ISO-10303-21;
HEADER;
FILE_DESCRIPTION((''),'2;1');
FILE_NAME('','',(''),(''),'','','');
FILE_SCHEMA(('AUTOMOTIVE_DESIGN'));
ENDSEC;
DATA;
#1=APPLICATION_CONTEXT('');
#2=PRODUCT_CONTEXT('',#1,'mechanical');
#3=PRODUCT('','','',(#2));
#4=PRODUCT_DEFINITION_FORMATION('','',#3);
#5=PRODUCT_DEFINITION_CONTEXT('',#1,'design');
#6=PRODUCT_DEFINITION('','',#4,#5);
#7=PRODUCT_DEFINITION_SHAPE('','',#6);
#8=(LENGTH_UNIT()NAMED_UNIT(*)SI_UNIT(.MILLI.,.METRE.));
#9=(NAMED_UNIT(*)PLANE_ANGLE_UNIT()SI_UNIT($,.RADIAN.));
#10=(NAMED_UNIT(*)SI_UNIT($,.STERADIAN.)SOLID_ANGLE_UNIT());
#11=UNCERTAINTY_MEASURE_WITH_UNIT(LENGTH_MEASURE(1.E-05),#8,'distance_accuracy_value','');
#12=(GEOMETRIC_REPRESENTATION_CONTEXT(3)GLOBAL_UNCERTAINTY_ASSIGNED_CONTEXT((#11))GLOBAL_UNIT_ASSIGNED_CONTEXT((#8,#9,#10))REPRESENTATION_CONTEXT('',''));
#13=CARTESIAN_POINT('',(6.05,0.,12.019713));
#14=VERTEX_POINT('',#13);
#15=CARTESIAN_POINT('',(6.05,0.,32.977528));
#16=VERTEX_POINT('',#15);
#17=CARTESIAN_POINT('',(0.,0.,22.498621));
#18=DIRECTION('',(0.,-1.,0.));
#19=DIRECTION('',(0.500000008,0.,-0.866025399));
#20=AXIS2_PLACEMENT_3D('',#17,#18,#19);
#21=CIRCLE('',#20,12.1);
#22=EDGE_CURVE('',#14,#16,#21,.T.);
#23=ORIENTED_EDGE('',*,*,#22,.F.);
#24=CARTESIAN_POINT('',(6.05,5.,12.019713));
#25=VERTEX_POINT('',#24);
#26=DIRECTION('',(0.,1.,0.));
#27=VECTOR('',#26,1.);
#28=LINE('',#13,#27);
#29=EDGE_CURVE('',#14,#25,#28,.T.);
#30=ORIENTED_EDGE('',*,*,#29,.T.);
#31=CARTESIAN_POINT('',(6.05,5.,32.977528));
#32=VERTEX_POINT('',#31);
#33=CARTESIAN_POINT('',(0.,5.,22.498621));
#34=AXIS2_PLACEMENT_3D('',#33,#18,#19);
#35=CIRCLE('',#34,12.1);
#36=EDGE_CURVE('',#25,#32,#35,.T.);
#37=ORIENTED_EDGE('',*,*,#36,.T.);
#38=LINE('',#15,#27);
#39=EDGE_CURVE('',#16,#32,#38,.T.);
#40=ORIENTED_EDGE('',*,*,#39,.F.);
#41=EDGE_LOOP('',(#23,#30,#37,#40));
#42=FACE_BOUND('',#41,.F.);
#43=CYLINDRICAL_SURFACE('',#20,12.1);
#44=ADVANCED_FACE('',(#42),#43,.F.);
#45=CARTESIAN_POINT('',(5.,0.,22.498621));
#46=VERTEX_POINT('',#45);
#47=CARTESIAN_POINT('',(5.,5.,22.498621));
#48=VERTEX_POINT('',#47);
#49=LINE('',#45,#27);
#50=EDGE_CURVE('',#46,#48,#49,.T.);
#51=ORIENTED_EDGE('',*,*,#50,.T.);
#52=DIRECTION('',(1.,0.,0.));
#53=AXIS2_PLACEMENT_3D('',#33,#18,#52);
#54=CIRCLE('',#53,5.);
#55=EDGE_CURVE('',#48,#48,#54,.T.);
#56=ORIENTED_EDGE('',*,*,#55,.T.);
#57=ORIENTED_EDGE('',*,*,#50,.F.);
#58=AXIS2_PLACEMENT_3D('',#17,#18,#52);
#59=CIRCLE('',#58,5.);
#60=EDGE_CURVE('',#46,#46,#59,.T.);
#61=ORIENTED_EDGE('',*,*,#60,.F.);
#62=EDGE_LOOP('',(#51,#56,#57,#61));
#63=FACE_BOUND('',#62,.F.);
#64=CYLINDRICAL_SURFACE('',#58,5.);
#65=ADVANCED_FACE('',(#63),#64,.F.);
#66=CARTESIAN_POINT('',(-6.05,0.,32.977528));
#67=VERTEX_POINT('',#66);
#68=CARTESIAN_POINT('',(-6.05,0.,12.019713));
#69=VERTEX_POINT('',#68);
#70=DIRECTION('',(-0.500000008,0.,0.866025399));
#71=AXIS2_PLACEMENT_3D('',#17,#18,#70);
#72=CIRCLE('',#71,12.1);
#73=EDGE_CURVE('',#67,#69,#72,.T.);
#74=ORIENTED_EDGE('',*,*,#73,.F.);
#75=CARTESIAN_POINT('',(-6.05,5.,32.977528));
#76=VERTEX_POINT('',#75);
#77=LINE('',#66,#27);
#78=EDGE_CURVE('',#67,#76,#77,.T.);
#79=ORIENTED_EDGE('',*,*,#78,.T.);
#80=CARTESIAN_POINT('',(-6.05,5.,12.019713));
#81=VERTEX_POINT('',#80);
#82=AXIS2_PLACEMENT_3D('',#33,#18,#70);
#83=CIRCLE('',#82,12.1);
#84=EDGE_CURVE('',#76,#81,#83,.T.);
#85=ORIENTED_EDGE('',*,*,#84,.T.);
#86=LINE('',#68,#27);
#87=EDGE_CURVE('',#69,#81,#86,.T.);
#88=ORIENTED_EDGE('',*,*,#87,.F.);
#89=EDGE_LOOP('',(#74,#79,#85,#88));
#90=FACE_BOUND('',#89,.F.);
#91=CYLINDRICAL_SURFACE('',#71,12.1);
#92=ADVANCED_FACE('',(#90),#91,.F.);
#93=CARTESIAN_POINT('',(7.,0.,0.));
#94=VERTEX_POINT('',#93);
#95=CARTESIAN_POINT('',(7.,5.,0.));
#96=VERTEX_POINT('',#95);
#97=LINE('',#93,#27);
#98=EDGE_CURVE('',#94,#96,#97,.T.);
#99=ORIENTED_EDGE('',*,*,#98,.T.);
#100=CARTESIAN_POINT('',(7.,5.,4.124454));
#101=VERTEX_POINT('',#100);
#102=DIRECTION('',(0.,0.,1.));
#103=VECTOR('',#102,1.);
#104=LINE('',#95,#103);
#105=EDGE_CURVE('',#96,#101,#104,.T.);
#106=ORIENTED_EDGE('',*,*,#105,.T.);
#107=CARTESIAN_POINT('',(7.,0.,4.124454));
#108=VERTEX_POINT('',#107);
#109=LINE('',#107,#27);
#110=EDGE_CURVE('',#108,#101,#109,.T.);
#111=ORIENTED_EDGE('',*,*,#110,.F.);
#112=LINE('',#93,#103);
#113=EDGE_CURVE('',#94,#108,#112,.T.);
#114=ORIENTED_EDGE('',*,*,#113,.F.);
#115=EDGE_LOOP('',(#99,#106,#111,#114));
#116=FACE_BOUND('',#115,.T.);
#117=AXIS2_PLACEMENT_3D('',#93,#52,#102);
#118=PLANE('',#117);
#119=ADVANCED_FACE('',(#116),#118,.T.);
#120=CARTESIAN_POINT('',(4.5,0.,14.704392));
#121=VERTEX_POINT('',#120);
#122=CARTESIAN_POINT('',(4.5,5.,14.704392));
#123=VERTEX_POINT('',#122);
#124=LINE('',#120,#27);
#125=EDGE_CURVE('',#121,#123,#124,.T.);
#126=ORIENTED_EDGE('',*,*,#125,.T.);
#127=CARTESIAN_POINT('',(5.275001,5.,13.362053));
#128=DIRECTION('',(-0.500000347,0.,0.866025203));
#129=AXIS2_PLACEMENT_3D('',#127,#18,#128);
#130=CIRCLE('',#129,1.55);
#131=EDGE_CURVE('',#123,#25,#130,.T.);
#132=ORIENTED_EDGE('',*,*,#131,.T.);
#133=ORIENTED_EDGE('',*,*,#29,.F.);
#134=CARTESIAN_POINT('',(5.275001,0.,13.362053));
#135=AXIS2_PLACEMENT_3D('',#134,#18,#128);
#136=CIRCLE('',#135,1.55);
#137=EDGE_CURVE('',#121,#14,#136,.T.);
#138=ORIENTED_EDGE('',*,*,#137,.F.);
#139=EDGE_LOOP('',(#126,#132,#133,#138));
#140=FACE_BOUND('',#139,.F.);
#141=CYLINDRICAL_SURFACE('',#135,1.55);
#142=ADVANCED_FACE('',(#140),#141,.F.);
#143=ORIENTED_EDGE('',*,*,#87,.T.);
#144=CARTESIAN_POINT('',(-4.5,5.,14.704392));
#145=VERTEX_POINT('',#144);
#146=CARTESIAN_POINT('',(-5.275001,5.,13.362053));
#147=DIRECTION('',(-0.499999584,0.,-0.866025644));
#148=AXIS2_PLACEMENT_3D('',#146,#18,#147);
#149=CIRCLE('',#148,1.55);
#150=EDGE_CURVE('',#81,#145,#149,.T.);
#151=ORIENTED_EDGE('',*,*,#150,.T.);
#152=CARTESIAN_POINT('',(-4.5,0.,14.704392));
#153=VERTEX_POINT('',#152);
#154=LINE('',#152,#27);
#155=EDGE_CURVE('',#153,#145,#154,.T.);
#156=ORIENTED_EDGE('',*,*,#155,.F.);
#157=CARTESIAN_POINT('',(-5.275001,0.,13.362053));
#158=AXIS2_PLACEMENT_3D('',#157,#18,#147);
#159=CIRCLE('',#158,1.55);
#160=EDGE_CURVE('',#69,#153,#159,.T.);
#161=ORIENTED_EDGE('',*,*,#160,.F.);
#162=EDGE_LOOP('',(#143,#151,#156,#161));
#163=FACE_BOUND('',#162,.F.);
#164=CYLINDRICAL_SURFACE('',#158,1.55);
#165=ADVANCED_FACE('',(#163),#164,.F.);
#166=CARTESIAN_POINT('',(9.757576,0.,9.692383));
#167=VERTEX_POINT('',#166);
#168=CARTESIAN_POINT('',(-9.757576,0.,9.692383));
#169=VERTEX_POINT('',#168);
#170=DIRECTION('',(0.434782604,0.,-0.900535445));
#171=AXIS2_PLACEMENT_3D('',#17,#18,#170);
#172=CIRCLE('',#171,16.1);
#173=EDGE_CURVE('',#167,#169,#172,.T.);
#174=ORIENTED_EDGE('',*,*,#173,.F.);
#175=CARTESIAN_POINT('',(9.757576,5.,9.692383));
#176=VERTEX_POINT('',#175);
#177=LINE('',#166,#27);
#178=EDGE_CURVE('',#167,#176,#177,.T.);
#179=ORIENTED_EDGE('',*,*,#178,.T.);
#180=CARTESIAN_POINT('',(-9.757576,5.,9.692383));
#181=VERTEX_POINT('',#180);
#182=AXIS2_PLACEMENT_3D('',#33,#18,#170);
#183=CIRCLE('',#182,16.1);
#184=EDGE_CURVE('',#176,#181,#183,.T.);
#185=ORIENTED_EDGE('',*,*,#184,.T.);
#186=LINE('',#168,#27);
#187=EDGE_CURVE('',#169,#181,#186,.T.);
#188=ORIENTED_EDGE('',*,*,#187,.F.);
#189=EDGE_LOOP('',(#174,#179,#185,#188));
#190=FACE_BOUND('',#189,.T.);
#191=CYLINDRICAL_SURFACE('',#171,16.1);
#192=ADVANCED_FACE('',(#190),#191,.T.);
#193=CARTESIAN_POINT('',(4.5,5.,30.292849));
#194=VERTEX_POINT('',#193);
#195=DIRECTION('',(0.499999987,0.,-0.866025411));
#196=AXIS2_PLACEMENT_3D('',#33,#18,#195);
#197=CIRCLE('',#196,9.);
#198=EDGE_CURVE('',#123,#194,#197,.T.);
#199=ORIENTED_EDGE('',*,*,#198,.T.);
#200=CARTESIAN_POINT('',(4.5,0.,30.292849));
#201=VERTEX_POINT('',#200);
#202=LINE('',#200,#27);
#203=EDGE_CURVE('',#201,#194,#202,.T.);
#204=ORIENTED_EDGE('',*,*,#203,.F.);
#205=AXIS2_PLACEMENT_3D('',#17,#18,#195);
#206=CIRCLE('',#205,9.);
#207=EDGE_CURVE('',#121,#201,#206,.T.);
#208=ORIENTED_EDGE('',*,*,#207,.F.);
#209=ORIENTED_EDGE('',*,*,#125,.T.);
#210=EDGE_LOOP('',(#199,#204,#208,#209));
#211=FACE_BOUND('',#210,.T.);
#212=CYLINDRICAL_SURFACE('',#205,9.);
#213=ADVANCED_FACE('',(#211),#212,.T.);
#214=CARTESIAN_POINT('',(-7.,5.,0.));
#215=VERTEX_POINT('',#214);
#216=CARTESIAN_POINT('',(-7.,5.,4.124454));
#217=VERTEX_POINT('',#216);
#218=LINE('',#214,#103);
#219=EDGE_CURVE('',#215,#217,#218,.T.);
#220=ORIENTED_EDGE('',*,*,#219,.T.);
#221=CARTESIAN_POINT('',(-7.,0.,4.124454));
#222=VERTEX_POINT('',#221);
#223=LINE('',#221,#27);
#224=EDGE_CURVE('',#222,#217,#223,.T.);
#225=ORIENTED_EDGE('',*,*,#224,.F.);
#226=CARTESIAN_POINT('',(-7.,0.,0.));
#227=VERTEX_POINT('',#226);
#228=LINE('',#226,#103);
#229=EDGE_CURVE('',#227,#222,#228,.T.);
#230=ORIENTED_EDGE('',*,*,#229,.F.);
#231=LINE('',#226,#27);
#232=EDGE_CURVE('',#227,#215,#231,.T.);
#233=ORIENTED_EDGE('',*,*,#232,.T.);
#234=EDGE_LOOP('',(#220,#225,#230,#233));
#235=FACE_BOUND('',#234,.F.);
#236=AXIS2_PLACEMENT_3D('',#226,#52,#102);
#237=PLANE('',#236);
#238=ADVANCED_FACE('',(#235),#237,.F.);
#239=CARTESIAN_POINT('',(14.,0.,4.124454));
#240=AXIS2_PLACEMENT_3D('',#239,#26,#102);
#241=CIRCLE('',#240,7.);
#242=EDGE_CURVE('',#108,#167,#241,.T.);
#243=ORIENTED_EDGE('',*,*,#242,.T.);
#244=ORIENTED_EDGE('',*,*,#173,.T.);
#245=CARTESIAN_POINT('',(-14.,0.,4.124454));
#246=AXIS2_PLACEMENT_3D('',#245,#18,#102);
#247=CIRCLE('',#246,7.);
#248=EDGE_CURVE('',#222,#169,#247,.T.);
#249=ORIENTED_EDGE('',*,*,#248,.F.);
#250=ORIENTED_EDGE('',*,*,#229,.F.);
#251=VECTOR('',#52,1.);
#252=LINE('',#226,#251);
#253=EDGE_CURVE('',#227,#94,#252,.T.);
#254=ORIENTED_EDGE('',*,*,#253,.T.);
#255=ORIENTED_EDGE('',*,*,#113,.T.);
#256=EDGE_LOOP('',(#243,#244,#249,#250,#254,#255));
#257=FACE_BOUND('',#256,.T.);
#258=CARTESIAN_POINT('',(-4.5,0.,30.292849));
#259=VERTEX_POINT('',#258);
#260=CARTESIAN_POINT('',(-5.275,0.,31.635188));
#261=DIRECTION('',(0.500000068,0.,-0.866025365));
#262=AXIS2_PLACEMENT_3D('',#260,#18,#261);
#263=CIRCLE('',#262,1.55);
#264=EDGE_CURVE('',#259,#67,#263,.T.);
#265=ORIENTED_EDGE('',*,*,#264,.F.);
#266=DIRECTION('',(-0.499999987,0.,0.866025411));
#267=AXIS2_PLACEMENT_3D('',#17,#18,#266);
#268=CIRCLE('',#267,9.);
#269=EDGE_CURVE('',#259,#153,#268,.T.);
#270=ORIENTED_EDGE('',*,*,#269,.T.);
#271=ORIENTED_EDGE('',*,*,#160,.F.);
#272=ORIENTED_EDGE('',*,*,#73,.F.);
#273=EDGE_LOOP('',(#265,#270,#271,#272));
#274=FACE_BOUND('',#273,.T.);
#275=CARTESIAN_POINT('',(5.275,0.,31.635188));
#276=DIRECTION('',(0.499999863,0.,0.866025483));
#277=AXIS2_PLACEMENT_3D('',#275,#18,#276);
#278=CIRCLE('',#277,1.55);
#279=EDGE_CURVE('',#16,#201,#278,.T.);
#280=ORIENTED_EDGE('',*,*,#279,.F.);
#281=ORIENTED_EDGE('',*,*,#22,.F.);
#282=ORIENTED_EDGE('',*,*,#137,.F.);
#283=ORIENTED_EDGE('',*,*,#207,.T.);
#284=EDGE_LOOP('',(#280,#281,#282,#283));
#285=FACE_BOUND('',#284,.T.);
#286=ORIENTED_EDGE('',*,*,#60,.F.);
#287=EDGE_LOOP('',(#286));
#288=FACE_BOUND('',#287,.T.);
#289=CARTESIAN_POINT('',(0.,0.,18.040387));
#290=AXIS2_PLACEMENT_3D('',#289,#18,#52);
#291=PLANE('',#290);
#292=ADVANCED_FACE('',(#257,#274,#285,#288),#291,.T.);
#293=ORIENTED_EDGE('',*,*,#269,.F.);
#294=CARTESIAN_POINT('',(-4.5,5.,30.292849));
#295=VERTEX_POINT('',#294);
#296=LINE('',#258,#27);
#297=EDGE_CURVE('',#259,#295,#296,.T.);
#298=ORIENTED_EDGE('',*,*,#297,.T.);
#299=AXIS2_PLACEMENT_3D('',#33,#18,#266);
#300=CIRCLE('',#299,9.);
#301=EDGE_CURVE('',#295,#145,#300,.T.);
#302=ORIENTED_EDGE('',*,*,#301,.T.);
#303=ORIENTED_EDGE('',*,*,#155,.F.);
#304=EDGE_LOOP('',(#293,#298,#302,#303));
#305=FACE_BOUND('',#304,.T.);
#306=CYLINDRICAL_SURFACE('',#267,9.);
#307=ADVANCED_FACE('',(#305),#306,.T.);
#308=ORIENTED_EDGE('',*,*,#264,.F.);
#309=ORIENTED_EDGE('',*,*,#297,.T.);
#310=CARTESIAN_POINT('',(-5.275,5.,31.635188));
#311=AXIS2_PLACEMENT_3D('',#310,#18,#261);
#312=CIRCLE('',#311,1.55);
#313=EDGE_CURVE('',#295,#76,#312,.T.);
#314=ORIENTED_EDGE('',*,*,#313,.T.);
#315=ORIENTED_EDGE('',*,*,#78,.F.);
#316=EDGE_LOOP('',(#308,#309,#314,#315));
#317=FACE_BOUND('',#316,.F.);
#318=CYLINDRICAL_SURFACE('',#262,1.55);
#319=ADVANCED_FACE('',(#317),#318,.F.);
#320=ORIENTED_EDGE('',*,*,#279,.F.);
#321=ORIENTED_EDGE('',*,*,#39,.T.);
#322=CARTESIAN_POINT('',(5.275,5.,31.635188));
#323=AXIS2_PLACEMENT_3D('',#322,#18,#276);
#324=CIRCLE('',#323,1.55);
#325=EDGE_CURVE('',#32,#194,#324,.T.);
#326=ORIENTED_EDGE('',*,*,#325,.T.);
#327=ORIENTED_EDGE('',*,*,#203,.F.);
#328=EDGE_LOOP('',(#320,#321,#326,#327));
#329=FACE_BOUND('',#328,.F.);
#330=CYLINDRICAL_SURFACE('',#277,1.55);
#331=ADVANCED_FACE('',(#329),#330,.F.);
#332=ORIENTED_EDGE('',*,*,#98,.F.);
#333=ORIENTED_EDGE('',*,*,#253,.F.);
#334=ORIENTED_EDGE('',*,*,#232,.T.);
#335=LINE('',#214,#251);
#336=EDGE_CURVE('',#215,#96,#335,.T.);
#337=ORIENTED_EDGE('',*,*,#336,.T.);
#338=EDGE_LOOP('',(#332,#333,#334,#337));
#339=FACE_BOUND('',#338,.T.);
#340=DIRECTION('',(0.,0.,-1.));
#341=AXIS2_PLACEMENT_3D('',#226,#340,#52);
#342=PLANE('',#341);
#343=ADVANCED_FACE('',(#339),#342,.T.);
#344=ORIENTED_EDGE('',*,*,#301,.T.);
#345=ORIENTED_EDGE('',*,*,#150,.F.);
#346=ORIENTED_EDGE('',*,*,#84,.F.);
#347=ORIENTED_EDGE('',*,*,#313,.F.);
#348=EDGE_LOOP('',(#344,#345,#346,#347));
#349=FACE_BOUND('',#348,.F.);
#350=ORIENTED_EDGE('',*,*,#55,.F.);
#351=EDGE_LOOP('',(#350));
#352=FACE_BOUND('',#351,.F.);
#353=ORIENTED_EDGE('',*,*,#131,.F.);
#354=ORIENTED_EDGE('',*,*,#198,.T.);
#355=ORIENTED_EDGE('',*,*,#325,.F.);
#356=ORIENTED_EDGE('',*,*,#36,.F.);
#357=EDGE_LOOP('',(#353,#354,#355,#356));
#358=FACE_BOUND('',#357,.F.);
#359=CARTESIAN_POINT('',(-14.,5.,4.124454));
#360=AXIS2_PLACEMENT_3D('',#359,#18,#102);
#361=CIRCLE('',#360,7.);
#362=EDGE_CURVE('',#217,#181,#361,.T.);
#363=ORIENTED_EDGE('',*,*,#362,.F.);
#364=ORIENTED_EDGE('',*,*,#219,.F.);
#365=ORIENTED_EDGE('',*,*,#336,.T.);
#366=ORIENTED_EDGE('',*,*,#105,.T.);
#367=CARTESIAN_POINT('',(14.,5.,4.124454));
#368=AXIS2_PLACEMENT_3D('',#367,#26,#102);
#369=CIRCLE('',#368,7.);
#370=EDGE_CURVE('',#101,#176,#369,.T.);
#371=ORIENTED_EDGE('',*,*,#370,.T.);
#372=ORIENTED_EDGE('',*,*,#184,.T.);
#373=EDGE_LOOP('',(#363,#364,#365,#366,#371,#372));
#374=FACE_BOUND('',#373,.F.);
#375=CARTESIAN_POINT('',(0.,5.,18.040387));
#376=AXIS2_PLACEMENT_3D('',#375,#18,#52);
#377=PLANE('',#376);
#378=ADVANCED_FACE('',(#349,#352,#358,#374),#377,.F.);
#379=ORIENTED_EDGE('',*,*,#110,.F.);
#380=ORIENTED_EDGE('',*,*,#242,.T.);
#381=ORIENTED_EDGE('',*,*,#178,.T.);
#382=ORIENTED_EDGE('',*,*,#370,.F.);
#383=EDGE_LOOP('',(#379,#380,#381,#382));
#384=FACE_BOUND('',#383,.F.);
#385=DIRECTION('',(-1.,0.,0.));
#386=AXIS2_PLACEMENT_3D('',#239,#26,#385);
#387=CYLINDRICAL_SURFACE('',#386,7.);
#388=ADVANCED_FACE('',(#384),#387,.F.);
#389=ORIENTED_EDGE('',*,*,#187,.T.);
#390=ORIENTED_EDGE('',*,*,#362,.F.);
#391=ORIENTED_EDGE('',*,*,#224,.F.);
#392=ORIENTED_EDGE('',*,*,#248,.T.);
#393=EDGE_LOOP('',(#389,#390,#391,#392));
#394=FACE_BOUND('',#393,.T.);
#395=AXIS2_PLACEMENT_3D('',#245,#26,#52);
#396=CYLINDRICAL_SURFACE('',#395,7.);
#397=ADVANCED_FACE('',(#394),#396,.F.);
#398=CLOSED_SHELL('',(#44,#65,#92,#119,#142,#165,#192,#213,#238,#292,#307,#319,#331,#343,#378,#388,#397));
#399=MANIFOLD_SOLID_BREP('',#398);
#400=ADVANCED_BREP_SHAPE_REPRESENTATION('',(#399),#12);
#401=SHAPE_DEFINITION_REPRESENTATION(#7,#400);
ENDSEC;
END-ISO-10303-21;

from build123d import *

# Parameters (mm, degrees)
SKETCH001_AS_DRAWN_R                 = 5
EXTRUDE001_DEPTH                     = 5
EXTRUDE001_ONTO_SKETCH001_ROLL_ANGLE = 90
FILLET_R                             = 7


with BuildPart() as part:
    # Sketch001 as drawn → Extrude001 (new)
    with BuildSketch(Plane.XY):
        with BuildLine():
            Line((-7, 0), (7, 0))
            Line((7, 0), (7, 8))
            ThreePointArc((7, 8), (0, 38.598621), (-7, 8))
            Line((-7, 0), (-7, 8))
        make_face()
        with Locations((0, 22.498621)):
            Circle(SKETCH001_AS_DRAWN_R, mode=Mode.SUBTRACT)
        with BuildLine():
            ThreePointArc((-6.05, 32.977528), (-12.1, 22.498621), (-6.05, 12.019713))
            ThreePointArc((-6.05, 12.019713), (-3.932661, 12.587053), (-4.5, 14.704392))
            ThreePointArc((-4.5, 30.292849), (-9, 22.498621), (-4.5, 14.704392))
            ThreePointArc((-4.5, 30.292849), (-3.932661, 32.410189), (-6.05, 32.977528))
        make_face(mode=Mode.SUBTRACT)
        with BuildLine():
            ThreePointArc((4.5, 14.704392), (9, 22.498621), (4.5, 30.292849))
            ThreePointArc((6.05, 32.977528), (3.932661, 32.410189), (4.5, 30.292849))
            ThreePointArc((6.05, 12.019713), (12.1, 22.498621), (6.05, 32.977528))
            ThreePointArc((4.5, 14.704392), (3.932661, 12.587053), (6.05, 12.019713))
        make_face(mode=Mode.SUBTRACT)
    extrude(amount=-EXTRUDE001_DEPTH)


with BuildPart() as part_1:
    # Extrude001 onto Sketch001 roll: moved
    add(part.part.rotate(Axis((0, 0, 0), (1, 0, 0)), EXTRUDE001_ONTO_SKETCH001_ROLL_ANGLE))


with BuildPart() as part_2:
    # Extrude001 onto Sketch001 placement: moved
    add(part_1.part)

    # Fillet
    fillet_edges = [part_2.edges().sort_by_distance(p)[0] for p in [
        (7, 2.5, 8),
        (-7, 2.5, 8),
    ]]
    fillet(fillet_edges, radius=FILLET_R)


solid = part_2.part
